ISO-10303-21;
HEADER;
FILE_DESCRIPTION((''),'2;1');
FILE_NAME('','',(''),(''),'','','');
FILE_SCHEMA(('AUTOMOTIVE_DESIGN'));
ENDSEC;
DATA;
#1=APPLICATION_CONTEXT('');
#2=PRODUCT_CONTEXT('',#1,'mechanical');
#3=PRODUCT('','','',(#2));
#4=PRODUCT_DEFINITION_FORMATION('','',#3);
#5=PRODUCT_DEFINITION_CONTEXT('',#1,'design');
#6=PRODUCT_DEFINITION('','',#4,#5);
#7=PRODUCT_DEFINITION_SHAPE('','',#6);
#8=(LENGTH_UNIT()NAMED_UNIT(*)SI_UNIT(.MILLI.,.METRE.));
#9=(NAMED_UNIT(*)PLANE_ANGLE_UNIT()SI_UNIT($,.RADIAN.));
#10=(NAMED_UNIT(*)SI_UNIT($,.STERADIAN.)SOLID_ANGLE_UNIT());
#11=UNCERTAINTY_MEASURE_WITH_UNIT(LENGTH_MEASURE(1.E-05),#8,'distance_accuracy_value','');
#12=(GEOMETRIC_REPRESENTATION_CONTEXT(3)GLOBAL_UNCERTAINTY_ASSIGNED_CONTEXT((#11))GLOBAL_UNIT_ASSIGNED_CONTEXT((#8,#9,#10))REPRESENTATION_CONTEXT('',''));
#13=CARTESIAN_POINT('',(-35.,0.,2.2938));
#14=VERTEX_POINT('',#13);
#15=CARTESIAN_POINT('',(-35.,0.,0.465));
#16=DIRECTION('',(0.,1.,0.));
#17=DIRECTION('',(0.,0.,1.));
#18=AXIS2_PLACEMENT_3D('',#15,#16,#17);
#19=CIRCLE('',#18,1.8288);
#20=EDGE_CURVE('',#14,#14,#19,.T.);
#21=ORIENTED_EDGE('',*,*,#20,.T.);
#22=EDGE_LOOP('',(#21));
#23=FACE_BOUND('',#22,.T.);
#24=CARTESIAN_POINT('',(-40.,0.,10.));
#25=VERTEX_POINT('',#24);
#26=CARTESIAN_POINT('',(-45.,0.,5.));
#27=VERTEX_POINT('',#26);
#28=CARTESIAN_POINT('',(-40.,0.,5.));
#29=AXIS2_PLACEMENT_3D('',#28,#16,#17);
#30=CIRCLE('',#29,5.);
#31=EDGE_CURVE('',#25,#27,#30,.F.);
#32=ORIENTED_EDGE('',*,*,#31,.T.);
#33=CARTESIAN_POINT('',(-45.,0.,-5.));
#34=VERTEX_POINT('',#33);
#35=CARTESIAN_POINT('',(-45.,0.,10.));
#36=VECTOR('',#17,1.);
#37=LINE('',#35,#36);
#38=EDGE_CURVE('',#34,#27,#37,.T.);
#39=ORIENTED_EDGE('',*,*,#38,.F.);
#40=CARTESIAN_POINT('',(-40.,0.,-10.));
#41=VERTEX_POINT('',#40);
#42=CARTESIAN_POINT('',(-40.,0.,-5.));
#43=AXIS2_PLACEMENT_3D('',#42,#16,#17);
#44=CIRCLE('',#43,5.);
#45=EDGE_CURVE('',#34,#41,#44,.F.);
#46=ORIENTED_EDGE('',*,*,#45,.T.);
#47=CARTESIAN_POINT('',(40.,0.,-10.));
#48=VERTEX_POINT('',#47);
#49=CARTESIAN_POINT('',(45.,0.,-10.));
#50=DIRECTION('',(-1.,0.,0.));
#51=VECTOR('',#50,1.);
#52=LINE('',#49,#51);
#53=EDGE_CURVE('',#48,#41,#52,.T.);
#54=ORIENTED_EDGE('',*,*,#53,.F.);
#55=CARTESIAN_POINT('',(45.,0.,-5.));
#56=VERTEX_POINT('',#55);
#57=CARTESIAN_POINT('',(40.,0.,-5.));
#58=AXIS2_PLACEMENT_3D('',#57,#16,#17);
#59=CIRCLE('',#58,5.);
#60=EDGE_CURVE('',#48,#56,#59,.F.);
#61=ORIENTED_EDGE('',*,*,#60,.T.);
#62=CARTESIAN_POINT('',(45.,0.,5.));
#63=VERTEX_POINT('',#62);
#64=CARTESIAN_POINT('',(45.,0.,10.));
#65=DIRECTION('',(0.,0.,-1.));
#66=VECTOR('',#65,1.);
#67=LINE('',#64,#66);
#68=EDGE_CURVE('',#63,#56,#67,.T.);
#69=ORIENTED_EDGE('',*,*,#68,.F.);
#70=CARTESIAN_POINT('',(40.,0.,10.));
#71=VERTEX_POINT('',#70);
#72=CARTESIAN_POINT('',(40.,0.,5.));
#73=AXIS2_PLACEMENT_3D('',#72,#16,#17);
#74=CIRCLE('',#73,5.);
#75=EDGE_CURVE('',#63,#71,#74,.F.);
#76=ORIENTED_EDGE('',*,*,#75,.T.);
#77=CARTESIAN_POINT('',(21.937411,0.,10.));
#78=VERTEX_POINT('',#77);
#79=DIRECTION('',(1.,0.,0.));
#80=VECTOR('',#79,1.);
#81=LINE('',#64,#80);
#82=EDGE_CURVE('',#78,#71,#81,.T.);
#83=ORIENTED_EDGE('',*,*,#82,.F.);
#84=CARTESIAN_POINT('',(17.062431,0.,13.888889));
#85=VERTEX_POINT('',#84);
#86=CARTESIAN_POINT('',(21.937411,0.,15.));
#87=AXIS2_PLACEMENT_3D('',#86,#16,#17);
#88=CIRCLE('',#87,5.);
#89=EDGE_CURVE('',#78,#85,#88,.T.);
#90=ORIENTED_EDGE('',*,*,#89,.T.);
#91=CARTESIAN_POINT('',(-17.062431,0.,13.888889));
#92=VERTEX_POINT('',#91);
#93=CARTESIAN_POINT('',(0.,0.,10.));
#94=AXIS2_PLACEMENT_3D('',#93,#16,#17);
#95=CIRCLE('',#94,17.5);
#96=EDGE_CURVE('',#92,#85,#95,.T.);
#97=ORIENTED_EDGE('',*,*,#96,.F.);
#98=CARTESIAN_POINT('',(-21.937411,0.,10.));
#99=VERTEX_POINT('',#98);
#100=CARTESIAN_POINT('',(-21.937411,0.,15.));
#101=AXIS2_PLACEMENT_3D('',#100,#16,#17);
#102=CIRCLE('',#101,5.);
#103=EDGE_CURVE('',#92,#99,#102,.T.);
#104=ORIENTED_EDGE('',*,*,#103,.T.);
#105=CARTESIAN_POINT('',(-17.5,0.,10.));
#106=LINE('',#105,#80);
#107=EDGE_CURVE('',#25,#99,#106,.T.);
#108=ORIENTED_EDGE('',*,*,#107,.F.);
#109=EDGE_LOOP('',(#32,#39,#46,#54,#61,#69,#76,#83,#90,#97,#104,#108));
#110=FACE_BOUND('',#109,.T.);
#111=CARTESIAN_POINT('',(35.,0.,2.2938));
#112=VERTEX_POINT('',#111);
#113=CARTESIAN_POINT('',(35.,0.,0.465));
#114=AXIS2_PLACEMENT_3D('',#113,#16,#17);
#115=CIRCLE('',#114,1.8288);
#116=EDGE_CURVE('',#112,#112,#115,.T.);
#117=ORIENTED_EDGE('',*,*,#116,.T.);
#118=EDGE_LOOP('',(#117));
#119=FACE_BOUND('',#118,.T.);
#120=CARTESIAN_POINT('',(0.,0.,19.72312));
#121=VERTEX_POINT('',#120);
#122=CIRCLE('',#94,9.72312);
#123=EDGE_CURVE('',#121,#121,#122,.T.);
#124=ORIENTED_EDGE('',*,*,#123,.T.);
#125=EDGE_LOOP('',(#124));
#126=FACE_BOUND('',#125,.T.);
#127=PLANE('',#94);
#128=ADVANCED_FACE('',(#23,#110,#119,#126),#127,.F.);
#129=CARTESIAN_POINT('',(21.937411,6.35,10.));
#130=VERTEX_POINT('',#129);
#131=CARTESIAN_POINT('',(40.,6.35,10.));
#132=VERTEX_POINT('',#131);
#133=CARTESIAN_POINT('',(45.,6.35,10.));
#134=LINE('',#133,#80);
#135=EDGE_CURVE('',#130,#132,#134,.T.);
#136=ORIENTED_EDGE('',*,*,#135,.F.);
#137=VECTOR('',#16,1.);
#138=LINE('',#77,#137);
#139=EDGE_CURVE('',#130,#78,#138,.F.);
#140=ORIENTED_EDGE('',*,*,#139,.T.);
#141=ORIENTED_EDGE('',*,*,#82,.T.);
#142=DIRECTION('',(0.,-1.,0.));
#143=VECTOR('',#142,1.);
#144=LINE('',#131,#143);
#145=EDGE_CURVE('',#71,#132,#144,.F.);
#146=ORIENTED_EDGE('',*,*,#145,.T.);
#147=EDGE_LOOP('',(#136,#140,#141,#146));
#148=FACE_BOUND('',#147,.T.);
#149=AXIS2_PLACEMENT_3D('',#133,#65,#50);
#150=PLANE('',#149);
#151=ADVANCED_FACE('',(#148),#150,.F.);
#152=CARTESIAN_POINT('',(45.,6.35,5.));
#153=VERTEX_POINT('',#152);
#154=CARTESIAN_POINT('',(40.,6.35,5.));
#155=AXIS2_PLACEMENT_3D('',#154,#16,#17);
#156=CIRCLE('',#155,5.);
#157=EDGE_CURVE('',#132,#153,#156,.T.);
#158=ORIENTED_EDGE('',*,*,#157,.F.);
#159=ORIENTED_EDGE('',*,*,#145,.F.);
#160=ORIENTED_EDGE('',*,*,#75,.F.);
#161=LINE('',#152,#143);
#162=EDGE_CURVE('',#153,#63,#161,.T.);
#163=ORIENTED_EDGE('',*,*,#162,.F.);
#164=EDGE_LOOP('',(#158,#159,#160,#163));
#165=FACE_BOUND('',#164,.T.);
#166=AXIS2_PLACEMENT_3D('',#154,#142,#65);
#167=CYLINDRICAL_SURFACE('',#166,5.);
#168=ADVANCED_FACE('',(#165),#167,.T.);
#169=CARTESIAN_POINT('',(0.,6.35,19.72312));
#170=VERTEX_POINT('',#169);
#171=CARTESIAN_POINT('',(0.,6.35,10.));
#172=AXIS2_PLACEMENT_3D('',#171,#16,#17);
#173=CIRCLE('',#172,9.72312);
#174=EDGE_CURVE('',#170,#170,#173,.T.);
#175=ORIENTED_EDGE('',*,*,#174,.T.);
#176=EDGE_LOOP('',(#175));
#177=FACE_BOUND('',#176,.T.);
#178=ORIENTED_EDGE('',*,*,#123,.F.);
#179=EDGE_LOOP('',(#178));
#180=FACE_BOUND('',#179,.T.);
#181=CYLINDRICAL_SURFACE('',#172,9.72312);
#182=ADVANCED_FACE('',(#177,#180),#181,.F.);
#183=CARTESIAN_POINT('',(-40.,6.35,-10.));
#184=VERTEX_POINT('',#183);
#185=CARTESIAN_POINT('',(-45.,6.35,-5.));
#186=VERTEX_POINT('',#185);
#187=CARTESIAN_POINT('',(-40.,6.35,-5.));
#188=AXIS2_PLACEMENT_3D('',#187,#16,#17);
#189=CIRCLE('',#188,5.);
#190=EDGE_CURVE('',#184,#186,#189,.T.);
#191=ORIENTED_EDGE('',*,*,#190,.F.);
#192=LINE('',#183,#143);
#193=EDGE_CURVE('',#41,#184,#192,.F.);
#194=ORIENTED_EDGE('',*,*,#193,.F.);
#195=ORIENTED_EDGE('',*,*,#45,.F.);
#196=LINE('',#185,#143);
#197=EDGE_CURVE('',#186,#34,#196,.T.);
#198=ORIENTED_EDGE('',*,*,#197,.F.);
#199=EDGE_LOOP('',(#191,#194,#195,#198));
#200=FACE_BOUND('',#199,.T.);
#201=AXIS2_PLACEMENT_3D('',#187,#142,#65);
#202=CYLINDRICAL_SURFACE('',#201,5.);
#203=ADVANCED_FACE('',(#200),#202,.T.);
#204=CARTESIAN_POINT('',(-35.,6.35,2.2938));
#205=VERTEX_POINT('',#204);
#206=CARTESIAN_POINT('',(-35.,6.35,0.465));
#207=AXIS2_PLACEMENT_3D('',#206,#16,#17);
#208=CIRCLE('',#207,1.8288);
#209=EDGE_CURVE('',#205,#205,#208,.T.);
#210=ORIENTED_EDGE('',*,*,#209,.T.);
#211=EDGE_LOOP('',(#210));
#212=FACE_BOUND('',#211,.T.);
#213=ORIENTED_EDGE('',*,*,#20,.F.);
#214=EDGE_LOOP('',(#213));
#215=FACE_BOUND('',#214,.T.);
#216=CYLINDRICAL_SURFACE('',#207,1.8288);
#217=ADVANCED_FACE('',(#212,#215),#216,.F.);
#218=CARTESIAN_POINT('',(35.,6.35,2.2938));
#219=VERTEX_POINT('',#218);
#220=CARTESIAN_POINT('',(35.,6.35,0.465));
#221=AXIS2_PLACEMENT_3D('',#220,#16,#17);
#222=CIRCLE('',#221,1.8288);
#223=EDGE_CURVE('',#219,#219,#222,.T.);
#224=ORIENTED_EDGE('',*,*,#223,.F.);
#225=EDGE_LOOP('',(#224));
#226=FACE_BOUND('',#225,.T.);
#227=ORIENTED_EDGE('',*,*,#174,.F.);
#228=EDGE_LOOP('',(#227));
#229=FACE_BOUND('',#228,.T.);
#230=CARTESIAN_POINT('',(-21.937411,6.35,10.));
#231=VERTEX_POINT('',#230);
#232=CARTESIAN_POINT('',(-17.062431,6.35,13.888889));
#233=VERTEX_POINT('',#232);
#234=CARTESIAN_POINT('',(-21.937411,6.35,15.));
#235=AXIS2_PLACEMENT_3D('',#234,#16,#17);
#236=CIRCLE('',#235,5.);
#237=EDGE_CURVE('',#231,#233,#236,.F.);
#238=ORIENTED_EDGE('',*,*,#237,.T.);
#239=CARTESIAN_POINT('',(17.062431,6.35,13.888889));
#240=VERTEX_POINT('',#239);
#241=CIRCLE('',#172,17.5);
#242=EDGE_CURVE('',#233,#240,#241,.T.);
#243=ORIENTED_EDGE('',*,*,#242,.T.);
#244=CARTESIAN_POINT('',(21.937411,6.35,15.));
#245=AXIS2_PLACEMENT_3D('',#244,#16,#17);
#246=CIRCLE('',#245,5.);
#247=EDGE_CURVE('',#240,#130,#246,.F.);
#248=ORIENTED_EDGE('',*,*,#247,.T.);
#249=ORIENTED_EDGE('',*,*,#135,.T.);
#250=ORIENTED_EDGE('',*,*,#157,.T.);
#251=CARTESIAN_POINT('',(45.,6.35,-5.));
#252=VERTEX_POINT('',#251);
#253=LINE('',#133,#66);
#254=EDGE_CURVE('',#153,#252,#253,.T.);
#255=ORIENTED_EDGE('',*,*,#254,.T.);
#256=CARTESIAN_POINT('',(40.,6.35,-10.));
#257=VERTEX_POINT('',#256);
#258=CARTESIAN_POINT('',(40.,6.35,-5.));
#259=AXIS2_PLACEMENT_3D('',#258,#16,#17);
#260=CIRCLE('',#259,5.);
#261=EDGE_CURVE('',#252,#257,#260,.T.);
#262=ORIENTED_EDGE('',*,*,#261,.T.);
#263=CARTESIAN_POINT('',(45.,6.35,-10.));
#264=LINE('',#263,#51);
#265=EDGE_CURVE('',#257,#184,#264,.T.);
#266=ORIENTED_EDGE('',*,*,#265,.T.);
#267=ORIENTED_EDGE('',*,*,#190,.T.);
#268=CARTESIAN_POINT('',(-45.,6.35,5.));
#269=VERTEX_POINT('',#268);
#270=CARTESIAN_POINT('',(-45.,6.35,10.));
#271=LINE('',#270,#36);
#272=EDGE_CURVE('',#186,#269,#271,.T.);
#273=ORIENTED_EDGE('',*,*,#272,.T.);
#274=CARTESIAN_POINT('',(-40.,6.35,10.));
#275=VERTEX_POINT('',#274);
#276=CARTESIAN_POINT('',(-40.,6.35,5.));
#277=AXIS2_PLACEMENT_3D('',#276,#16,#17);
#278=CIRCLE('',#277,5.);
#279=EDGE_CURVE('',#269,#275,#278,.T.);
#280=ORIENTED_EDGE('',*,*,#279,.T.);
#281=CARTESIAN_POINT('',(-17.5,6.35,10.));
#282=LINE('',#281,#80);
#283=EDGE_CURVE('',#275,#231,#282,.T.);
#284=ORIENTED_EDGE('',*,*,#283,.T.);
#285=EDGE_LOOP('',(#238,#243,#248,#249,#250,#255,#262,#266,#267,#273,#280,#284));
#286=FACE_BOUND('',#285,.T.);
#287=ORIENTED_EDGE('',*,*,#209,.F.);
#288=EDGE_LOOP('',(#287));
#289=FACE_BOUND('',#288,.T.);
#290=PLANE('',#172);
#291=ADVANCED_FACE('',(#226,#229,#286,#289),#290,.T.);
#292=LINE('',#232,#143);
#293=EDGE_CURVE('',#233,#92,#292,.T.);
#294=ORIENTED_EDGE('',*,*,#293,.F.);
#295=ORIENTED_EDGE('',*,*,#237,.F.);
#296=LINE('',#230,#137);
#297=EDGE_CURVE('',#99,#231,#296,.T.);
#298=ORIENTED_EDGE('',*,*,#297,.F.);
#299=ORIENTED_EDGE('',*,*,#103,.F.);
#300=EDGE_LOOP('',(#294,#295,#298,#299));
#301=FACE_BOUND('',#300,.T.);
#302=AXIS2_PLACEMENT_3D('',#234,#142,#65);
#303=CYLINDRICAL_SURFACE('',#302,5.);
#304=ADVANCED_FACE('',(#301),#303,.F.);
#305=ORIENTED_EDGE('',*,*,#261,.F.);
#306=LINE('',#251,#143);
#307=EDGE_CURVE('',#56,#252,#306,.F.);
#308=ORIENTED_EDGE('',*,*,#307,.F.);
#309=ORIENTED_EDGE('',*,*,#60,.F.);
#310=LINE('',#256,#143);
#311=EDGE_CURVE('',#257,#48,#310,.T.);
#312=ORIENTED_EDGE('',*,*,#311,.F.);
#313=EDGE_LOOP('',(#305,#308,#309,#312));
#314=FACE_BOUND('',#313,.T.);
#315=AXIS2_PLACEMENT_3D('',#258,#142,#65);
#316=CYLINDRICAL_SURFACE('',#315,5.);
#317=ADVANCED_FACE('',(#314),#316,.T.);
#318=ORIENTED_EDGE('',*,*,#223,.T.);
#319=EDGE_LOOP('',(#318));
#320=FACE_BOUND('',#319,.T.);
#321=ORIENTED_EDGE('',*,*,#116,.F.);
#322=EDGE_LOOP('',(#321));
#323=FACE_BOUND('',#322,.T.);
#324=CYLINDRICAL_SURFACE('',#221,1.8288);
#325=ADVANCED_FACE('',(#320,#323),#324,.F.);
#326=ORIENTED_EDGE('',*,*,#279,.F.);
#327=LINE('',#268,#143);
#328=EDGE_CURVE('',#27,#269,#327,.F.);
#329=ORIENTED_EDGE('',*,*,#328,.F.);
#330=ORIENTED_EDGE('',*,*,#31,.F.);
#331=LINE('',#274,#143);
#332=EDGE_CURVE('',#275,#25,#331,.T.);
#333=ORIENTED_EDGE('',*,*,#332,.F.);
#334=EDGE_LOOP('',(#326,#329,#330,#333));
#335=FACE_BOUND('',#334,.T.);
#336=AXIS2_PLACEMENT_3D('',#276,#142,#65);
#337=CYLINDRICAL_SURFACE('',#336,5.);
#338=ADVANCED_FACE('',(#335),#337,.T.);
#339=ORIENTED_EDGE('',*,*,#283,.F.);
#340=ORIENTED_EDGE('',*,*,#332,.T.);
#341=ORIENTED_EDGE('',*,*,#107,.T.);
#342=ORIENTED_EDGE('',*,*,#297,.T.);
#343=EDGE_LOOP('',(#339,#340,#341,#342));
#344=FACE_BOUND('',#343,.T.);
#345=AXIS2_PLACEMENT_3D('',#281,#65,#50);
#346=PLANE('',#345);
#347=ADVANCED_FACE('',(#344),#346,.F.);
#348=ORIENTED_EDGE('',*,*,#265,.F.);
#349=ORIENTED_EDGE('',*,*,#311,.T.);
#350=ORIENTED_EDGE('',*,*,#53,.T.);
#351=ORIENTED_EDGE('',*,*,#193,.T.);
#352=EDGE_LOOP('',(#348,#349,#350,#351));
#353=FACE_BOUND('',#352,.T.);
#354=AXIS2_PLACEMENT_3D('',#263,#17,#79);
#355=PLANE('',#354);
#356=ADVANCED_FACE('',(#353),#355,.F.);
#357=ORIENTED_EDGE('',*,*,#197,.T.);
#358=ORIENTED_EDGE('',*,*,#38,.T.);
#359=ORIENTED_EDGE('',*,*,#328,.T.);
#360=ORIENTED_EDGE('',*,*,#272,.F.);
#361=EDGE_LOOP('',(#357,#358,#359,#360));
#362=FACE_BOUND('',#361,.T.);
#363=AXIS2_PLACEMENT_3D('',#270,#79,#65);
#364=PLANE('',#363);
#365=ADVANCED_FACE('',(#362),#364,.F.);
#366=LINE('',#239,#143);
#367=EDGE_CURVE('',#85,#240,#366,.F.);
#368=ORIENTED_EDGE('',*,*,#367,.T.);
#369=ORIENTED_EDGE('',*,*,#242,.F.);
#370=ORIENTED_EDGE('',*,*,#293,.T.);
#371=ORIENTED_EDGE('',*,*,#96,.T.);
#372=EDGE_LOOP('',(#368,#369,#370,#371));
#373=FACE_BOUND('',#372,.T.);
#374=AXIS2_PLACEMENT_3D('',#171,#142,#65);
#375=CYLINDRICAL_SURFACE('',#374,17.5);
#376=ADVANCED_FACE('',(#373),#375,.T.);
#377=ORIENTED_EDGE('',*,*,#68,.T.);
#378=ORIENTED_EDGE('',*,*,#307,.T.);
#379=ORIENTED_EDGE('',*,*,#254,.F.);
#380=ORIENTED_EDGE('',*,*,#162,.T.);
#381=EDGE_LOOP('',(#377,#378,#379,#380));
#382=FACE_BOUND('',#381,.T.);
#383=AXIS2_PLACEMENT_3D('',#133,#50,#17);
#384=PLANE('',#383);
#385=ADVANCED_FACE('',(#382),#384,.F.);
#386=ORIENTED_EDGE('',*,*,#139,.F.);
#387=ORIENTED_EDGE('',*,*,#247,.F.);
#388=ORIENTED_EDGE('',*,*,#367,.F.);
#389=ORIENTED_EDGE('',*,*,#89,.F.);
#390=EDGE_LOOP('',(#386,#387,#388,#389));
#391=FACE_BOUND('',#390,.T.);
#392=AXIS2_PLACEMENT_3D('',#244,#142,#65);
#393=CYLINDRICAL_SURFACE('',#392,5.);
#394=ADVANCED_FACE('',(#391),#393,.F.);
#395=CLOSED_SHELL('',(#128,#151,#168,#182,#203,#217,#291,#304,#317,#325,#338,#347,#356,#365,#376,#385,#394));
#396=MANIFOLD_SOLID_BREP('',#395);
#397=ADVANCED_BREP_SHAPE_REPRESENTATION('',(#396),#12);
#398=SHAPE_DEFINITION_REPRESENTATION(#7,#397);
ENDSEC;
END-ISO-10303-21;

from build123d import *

# Parameters (mm, degrees)
BOSS_EXTRUDE1_DEPTH     = 6.35
F_3_4_CLEARANCE_HOLE1_D = 19.44624
FILLET1_R               = 5
F_6_CLEARANCE_HOLE1_D   = 3.6576


with BuildPart() as part:
    # Sketch1 → Boss-Extrude1 (new body)
    with BuildSketch(Plane(origin=(0, 0, 0), x_dir=(1, 0, 0), z_dir=(0, 1, 0))):
        with BuildLine():
            Line((-17.5, -10), (-45, -10))
            Line((-45, -10), (-45, 10))
            Line((-45, 10), (45, 10))
            Line((45, 10), (45, -10))
            Line((45, -10), (17.5, -10))
            ThreePointArc((17.5, -10), (0, -27.5), (-17.5, -10))
        make_face()
    extrude(amount=BOSS_EXTRUDE1_DEPTH)

    # 3/4 Clearance Hole1 (through all)
    with Locations(Plane(origin=(0, 6.35, 0), x_dir=(1, 0, 0), z_dir=(0, 1, 0))):
        with Locations((0, -10)):
            Hole(F_3_4_CLEARANCE_HOLE1_D / 2)

    # Fillet1
    fillet1_edges = [part.edges().sort_by_distance(p)[0] for p in [
        (-45, 3.175, -10),
        (45, 3.175, -10),
        (45, 3.175, 10),
        (17.5, 3.175, 10),
        (-17.5, 3.175, 10),
        (-45, 3.175, 10),
    ]]
    fillet(fillet1_edges, radius=FILLET1_R)

    # #6 Clearance Hole1 (through all)
    with Locations(Plane(origin=(0, 6.35, 0), x_dir=(1, 0, 0), z_dir=(0, 1, 0))):
        with Locations((-35, -0.465), (35, -0.465)):
            Hole(F_6_CLEARANCE_HOLE1_D / 2)


solid = part.part
